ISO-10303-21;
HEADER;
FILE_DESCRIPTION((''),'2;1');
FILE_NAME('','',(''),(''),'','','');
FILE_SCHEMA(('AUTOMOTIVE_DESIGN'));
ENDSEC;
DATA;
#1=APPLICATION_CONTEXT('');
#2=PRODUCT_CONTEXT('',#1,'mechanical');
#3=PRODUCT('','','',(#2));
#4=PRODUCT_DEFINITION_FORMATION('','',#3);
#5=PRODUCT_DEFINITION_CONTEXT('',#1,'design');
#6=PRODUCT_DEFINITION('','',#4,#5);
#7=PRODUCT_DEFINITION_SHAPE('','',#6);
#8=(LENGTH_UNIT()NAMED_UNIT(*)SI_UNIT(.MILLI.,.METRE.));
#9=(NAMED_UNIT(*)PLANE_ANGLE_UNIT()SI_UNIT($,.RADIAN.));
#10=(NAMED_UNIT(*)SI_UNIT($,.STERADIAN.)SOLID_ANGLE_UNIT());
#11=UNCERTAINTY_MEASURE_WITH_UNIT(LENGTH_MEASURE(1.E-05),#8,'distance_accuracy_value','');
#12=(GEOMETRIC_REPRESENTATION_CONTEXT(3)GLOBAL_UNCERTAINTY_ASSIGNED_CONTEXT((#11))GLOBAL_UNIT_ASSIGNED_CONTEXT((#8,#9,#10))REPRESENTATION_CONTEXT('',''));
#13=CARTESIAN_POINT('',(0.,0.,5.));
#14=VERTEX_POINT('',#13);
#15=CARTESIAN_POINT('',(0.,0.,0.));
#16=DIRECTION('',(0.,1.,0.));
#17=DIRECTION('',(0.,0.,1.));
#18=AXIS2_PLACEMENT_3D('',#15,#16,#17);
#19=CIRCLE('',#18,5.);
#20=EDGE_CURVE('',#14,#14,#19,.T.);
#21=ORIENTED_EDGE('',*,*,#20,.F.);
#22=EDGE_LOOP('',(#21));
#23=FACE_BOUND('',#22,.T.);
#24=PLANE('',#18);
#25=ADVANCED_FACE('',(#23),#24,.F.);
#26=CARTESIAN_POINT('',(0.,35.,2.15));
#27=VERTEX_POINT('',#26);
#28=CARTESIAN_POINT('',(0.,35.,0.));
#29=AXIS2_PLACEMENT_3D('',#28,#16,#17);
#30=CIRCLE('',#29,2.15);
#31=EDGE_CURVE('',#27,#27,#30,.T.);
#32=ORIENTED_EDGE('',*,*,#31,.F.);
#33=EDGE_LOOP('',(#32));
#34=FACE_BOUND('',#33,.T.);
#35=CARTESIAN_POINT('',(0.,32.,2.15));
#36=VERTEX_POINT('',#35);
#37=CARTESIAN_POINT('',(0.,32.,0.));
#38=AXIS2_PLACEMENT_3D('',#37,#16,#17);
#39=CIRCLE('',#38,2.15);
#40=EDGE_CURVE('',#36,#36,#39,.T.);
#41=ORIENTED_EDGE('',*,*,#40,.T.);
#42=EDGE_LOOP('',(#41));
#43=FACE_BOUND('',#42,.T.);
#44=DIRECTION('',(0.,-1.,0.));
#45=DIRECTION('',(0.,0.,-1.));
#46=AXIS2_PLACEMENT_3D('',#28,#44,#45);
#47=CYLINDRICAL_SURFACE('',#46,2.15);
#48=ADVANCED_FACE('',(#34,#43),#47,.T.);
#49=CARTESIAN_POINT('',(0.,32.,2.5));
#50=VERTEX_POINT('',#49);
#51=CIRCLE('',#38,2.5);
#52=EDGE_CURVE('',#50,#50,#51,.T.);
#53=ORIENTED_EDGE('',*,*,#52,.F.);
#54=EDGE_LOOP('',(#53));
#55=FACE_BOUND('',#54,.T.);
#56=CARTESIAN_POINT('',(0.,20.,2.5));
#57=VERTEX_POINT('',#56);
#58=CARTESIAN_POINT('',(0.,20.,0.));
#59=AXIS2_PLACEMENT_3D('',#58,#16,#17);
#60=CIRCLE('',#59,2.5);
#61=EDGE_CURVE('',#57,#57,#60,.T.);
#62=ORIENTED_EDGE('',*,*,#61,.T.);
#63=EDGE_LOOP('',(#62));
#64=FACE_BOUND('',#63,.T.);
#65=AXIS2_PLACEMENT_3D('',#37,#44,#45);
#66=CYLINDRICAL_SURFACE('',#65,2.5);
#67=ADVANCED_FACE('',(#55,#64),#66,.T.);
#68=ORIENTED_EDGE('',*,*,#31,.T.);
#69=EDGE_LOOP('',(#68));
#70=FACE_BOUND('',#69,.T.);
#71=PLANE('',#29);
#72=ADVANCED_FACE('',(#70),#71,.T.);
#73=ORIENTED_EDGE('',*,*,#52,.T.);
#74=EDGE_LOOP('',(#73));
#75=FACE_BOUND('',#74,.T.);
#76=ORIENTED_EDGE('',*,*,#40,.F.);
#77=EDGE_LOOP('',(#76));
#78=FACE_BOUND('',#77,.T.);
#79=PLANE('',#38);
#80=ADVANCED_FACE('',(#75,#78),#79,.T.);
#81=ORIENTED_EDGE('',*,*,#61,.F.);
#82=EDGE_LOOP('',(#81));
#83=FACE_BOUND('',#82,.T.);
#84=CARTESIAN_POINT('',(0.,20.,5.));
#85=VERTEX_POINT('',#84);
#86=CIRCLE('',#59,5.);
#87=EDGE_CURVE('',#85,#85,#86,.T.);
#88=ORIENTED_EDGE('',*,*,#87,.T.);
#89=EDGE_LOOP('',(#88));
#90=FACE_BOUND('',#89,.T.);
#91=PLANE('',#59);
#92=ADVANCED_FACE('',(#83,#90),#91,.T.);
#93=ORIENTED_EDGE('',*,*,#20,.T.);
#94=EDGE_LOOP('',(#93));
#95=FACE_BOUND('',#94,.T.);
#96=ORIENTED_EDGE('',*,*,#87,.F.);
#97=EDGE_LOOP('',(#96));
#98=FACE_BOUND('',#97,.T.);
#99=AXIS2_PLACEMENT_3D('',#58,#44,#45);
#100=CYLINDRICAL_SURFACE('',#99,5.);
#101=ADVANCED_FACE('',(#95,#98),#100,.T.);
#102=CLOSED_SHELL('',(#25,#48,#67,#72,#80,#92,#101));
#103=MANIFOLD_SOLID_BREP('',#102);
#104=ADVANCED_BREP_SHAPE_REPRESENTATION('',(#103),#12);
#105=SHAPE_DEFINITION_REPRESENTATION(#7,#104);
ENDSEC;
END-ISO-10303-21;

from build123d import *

# Parameters (mm, degrees)
SKETCH1_R           = 5
BOSS_EXTRUDE1_DEPTH = 20
SKETCH2_R           = 2.5
BOSS_EXTRUDE2_DEPTH = 12
SKETCH3_R           = 2.15
BOSS_EXTRUDE3_DEPTH = 3


with BuildPart() as part:
    # Sketch1 → Boss-Extrude1 (new body)
    with BuildSketch(Plane(origin=(0, 0, 0), x_dir=(1, 0, 0), z_dir=(0, 1, 0))):
        Circle(SKETCH1_R)
    extrude(amount=BOSS_EXTRUDE1_DEPTH)

    # Sketch2 → Boss-Extrude2 (add)
    with BuildSketch(Plane(origin=(0, 20, 0), x_dir=(1, 0, 0), z_dir=(0, 1, 0))):
        Circle(SKETCH2_R)
    extrude(amount=BOSS_EXTRUDE2_DEPTH)

    # Sketch3 → Boss-Extrude3 (add)
    with BuildSketch(Plane(origin=(0, 32, 0), x_dir=(1, 0, 0), z_dir=(0, 1, 0))):
        Circle(SKETCH3_R)
    extrude(amount=BOSS_EXTRUDE3_DEPTH)


solid = part.part
